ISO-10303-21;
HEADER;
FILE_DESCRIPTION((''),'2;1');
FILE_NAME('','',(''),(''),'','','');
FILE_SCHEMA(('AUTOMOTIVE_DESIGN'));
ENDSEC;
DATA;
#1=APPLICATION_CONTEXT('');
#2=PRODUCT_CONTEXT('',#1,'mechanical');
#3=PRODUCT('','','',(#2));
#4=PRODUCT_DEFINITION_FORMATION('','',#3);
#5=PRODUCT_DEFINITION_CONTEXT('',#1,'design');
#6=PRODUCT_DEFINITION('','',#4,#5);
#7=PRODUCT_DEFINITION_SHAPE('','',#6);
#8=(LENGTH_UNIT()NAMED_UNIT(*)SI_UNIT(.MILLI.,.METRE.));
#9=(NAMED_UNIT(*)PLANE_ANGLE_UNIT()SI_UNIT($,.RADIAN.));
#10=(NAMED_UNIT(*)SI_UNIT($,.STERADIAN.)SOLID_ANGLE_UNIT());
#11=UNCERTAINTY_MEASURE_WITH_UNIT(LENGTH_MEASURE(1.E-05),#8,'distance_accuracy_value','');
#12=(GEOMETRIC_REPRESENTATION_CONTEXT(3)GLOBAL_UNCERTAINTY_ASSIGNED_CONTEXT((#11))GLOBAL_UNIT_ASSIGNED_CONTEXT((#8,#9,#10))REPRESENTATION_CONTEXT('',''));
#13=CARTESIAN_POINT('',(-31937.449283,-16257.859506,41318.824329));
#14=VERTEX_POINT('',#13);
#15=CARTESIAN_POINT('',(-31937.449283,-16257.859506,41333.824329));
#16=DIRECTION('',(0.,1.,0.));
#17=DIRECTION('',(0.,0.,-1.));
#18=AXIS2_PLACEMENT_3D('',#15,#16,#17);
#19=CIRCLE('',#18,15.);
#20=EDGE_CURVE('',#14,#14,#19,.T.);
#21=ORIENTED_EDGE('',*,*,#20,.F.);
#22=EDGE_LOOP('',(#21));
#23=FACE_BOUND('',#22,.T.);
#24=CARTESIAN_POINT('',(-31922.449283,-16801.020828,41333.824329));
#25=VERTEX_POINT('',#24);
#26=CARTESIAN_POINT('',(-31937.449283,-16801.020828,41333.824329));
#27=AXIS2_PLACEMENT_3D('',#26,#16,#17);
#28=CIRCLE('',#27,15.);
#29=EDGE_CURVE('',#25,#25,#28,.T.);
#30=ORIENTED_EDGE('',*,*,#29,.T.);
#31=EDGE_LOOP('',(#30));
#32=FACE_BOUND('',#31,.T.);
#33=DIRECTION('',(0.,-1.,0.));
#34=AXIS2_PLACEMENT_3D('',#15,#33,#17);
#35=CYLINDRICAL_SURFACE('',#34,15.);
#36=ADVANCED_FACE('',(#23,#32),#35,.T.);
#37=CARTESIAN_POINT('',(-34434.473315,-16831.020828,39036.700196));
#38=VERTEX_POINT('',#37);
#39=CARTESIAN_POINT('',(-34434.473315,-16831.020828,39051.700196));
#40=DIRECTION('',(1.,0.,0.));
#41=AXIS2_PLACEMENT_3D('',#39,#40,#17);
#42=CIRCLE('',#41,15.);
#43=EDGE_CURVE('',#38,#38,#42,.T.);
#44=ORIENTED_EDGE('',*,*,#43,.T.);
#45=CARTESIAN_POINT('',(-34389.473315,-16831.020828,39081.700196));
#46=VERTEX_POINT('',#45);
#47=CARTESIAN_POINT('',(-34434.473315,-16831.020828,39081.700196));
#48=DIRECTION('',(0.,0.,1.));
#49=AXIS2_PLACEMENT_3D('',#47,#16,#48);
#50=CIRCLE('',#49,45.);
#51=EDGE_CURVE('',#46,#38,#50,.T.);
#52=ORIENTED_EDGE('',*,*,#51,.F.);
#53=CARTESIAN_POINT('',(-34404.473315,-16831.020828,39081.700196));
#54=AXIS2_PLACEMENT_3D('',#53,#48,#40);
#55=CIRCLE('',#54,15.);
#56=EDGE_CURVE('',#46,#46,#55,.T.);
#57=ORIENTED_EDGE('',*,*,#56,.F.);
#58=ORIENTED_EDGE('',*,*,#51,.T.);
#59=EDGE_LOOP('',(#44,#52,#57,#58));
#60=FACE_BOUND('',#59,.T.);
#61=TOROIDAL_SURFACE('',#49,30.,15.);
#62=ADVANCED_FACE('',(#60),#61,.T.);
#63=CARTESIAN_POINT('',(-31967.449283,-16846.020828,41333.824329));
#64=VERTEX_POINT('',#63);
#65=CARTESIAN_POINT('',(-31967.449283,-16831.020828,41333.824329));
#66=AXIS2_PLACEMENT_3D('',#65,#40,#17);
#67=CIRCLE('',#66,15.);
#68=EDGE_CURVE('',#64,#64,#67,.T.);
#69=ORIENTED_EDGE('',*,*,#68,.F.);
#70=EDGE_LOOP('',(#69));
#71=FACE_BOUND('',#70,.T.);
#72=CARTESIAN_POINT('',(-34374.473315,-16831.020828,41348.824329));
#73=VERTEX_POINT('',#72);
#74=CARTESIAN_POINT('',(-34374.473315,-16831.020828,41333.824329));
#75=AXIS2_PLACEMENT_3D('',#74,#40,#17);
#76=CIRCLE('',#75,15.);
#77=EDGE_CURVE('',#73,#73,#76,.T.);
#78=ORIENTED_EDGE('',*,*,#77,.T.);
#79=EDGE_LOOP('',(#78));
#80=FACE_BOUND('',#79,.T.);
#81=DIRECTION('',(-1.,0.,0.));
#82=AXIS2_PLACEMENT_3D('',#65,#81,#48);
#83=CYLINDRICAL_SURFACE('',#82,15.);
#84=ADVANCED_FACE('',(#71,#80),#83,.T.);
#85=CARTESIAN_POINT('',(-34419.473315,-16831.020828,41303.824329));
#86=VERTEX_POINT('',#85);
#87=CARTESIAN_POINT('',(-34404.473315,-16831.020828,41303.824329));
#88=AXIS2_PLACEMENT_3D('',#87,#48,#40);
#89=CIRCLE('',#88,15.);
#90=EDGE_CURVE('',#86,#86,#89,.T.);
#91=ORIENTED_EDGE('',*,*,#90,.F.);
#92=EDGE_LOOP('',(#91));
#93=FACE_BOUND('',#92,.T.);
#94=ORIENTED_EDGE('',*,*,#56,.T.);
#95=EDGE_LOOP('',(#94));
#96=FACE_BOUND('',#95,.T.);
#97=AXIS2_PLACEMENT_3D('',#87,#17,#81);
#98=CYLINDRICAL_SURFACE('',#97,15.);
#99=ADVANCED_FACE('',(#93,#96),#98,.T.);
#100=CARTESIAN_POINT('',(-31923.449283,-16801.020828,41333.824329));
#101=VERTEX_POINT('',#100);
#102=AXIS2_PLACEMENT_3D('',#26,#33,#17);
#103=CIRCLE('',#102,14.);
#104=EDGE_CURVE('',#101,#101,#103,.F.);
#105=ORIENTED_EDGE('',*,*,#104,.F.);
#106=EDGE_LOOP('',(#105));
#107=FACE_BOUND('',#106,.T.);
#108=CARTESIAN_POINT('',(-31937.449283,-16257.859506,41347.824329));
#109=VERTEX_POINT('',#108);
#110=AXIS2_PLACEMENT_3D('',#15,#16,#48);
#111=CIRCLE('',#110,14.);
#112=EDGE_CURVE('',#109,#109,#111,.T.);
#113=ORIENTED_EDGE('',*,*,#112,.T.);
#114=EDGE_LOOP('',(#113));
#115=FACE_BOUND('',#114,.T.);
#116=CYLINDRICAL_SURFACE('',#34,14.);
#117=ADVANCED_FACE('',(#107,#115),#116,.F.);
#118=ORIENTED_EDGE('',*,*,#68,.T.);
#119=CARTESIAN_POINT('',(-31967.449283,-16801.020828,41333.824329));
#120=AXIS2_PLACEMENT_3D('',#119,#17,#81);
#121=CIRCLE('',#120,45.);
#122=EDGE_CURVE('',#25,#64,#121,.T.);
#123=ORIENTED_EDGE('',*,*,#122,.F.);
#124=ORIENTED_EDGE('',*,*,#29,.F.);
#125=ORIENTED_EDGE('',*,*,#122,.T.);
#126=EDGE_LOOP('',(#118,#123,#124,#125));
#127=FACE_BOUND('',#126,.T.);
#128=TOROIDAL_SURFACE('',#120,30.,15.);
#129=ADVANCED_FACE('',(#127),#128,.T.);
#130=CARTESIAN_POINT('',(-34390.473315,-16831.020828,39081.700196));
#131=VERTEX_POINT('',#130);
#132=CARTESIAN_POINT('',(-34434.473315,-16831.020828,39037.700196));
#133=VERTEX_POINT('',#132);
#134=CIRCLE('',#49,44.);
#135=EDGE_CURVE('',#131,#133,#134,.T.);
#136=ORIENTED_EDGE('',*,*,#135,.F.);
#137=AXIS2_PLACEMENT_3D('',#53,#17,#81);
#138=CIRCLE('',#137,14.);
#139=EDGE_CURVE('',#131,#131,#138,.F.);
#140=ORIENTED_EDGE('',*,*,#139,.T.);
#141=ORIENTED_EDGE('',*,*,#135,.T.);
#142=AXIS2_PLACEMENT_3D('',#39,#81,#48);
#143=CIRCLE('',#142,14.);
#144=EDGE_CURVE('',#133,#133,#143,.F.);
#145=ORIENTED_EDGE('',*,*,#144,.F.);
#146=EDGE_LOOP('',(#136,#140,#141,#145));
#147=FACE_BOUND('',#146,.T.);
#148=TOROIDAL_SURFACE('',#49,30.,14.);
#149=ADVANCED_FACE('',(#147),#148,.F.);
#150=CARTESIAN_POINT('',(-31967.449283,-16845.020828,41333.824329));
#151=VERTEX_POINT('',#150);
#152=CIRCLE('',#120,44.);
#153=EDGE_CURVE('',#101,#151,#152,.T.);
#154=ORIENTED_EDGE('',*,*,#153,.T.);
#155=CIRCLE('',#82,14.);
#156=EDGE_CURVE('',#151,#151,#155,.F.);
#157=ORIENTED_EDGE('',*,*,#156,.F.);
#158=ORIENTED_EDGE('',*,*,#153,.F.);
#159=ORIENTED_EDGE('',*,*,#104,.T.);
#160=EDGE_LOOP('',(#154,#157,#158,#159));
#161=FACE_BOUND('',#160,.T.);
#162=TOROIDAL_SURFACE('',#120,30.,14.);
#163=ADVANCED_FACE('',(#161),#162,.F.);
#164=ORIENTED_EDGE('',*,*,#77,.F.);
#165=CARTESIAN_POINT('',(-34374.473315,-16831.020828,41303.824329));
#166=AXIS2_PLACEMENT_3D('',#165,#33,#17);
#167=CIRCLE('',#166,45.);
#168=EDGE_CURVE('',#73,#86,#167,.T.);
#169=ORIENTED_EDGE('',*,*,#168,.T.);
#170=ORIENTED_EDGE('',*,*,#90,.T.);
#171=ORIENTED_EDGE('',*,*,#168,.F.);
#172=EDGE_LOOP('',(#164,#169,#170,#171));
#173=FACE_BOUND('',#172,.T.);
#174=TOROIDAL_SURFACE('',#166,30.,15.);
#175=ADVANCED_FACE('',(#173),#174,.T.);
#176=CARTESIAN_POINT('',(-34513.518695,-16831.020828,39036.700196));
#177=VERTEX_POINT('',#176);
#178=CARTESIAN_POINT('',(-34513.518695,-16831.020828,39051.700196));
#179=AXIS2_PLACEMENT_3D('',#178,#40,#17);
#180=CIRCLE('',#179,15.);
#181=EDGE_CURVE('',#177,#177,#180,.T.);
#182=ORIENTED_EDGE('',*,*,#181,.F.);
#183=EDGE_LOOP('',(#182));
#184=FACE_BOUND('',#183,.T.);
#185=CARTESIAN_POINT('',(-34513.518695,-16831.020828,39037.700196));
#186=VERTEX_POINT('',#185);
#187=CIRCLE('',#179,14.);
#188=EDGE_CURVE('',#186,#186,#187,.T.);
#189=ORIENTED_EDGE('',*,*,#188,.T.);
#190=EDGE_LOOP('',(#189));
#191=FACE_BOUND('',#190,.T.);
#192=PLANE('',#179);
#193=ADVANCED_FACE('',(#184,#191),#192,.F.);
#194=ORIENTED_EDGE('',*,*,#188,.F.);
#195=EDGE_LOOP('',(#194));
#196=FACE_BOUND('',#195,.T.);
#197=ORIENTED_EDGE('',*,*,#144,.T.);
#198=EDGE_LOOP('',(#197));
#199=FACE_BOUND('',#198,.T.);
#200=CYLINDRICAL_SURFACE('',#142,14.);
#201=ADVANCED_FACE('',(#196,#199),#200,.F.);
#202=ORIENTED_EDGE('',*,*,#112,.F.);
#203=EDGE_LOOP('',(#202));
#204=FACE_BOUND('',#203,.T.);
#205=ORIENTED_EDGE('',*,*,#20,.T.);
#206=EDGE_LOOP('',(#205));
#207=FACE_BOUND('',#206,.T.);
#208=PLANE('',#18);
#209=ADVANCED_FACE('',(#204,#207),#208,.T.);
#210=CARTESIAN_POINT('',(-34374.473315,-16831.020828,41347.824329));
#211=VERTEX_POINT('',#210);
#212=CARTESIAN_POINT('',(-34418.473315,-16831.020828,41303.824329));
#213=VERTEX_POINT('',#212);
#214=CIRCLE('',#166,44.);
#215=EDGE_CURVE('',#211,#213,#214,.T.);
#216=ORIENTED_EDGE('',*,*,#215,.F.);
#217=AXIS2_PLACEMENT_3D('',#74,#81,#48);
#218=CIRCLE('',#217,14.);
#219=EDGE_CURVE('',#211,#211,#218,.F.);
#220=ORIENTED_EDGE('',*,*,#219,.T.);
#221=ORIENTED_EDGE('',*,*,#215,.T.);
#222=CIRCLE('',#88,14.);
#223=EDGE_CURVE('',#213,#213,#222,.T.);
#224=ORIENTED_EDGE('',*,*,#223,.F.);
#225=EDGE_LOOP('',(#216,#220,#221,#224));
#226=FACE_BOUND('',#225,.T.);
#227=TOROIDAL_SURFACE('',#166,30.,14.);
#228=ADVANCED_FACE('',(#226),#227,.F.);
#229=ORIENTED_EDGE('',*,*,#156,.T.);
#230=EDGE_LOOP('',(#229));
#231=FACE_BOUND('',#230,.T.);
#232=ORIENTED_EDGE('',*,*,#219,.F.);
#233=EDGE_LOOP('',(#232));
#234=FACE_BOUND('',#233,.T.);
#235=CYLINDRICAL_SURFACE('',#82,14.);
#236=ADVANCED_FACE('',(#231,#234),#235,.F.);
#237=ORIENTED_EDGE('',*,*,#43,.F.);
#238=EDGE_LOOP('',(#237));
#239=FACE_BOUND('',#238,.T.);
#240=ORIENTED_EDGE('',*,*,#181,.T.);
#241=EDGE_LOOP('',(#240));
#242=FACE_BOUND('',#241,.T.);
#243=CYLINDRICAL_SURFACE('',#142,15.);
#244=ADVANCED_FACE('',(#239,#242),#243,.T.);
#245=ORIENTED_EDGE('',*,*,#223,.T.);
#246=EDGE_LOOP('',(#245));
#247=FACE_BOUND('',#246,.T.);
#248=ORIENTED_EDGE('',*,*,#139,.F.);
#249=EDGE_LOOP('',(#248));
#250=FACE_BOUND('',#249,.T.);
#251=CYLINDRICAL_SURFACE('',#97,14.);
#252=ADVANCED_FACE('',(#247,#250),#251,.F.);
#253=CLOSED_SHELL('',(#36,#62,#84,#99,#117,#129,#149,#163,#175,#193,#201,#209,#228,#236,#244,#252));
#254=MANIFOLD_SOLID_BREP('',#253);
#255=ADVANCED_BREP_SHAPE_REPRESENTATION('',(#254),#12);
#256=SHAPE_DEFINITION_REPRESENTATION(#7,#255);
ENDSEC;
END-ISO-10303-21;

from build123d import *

# Parameters (mm, degrees)
SWEEP_THIN1_PROFILE_R   = 15
SWEEP_THIN1_PROFILE_R_2 = 14


with BuildPart() as part:
    # Sweep-Thin1: sweep along a curve in space
    with BuildLine() as sweep_thin1_path:
        Line((-31937.449283249, -16257.859506292, 41333.824329306), (-31937.449283249, -16801.020828117, 41333.824329306))
        ThreePointArc((-31937.449283249, -16801.020828117, 41333.824329306), (-31946.236079813, -16822.234031553, 41333.824329306), (-31967.449283249, -16831.020828117, 41333.824329306))
        Line((-31967.449283249, -16831.020828117, 41333.824329306), (-34374.473315276, -16831.020828117, 41333.824329306))
        ThreePointArc((-34374.473315276, -16831.020828117, 41333.824329306), (-34395.686518712, -16831.020828117, 41325.037532741), (-34404.473315276, -16831.020828117, 41303.824329306))
        Line((-34404.473315276, -16831.020828117, 41303.824329306), (-34404.473315276, -16831.020828117, 39081.700196057))
        ThreePointArc((-34404.473315276, -16831.020828117, 39081.700196057), (-34413.260111841, -16831.020828117, 39060.486992621), (-34434.473315276, -16831.020828117, 39051.700196057))
        Line((-34434.473315276, -16831.020828117, 39051.700196057), (-34513.51869548, -16831.020828117, 39051.700196057))
    # Sweep-Thin1 profile (on start of the path) → Sweep-Thin1 (sweep)
    with BuildSketch(Plane(origin=(-31937.449283249, -16257.859506292, 41333.824329306), x_dir=(0, 0, -1), z_dir=(0, -1, 0))):
        Circle(SWEEP_THIN1_PROFILE_R)
        Circle(SWEEP_THIN1_PROFILE_R_2, mode=Mode.SUBTRACT)
    sweep(path=sweep_thin1_path.line)


solid = part.part
